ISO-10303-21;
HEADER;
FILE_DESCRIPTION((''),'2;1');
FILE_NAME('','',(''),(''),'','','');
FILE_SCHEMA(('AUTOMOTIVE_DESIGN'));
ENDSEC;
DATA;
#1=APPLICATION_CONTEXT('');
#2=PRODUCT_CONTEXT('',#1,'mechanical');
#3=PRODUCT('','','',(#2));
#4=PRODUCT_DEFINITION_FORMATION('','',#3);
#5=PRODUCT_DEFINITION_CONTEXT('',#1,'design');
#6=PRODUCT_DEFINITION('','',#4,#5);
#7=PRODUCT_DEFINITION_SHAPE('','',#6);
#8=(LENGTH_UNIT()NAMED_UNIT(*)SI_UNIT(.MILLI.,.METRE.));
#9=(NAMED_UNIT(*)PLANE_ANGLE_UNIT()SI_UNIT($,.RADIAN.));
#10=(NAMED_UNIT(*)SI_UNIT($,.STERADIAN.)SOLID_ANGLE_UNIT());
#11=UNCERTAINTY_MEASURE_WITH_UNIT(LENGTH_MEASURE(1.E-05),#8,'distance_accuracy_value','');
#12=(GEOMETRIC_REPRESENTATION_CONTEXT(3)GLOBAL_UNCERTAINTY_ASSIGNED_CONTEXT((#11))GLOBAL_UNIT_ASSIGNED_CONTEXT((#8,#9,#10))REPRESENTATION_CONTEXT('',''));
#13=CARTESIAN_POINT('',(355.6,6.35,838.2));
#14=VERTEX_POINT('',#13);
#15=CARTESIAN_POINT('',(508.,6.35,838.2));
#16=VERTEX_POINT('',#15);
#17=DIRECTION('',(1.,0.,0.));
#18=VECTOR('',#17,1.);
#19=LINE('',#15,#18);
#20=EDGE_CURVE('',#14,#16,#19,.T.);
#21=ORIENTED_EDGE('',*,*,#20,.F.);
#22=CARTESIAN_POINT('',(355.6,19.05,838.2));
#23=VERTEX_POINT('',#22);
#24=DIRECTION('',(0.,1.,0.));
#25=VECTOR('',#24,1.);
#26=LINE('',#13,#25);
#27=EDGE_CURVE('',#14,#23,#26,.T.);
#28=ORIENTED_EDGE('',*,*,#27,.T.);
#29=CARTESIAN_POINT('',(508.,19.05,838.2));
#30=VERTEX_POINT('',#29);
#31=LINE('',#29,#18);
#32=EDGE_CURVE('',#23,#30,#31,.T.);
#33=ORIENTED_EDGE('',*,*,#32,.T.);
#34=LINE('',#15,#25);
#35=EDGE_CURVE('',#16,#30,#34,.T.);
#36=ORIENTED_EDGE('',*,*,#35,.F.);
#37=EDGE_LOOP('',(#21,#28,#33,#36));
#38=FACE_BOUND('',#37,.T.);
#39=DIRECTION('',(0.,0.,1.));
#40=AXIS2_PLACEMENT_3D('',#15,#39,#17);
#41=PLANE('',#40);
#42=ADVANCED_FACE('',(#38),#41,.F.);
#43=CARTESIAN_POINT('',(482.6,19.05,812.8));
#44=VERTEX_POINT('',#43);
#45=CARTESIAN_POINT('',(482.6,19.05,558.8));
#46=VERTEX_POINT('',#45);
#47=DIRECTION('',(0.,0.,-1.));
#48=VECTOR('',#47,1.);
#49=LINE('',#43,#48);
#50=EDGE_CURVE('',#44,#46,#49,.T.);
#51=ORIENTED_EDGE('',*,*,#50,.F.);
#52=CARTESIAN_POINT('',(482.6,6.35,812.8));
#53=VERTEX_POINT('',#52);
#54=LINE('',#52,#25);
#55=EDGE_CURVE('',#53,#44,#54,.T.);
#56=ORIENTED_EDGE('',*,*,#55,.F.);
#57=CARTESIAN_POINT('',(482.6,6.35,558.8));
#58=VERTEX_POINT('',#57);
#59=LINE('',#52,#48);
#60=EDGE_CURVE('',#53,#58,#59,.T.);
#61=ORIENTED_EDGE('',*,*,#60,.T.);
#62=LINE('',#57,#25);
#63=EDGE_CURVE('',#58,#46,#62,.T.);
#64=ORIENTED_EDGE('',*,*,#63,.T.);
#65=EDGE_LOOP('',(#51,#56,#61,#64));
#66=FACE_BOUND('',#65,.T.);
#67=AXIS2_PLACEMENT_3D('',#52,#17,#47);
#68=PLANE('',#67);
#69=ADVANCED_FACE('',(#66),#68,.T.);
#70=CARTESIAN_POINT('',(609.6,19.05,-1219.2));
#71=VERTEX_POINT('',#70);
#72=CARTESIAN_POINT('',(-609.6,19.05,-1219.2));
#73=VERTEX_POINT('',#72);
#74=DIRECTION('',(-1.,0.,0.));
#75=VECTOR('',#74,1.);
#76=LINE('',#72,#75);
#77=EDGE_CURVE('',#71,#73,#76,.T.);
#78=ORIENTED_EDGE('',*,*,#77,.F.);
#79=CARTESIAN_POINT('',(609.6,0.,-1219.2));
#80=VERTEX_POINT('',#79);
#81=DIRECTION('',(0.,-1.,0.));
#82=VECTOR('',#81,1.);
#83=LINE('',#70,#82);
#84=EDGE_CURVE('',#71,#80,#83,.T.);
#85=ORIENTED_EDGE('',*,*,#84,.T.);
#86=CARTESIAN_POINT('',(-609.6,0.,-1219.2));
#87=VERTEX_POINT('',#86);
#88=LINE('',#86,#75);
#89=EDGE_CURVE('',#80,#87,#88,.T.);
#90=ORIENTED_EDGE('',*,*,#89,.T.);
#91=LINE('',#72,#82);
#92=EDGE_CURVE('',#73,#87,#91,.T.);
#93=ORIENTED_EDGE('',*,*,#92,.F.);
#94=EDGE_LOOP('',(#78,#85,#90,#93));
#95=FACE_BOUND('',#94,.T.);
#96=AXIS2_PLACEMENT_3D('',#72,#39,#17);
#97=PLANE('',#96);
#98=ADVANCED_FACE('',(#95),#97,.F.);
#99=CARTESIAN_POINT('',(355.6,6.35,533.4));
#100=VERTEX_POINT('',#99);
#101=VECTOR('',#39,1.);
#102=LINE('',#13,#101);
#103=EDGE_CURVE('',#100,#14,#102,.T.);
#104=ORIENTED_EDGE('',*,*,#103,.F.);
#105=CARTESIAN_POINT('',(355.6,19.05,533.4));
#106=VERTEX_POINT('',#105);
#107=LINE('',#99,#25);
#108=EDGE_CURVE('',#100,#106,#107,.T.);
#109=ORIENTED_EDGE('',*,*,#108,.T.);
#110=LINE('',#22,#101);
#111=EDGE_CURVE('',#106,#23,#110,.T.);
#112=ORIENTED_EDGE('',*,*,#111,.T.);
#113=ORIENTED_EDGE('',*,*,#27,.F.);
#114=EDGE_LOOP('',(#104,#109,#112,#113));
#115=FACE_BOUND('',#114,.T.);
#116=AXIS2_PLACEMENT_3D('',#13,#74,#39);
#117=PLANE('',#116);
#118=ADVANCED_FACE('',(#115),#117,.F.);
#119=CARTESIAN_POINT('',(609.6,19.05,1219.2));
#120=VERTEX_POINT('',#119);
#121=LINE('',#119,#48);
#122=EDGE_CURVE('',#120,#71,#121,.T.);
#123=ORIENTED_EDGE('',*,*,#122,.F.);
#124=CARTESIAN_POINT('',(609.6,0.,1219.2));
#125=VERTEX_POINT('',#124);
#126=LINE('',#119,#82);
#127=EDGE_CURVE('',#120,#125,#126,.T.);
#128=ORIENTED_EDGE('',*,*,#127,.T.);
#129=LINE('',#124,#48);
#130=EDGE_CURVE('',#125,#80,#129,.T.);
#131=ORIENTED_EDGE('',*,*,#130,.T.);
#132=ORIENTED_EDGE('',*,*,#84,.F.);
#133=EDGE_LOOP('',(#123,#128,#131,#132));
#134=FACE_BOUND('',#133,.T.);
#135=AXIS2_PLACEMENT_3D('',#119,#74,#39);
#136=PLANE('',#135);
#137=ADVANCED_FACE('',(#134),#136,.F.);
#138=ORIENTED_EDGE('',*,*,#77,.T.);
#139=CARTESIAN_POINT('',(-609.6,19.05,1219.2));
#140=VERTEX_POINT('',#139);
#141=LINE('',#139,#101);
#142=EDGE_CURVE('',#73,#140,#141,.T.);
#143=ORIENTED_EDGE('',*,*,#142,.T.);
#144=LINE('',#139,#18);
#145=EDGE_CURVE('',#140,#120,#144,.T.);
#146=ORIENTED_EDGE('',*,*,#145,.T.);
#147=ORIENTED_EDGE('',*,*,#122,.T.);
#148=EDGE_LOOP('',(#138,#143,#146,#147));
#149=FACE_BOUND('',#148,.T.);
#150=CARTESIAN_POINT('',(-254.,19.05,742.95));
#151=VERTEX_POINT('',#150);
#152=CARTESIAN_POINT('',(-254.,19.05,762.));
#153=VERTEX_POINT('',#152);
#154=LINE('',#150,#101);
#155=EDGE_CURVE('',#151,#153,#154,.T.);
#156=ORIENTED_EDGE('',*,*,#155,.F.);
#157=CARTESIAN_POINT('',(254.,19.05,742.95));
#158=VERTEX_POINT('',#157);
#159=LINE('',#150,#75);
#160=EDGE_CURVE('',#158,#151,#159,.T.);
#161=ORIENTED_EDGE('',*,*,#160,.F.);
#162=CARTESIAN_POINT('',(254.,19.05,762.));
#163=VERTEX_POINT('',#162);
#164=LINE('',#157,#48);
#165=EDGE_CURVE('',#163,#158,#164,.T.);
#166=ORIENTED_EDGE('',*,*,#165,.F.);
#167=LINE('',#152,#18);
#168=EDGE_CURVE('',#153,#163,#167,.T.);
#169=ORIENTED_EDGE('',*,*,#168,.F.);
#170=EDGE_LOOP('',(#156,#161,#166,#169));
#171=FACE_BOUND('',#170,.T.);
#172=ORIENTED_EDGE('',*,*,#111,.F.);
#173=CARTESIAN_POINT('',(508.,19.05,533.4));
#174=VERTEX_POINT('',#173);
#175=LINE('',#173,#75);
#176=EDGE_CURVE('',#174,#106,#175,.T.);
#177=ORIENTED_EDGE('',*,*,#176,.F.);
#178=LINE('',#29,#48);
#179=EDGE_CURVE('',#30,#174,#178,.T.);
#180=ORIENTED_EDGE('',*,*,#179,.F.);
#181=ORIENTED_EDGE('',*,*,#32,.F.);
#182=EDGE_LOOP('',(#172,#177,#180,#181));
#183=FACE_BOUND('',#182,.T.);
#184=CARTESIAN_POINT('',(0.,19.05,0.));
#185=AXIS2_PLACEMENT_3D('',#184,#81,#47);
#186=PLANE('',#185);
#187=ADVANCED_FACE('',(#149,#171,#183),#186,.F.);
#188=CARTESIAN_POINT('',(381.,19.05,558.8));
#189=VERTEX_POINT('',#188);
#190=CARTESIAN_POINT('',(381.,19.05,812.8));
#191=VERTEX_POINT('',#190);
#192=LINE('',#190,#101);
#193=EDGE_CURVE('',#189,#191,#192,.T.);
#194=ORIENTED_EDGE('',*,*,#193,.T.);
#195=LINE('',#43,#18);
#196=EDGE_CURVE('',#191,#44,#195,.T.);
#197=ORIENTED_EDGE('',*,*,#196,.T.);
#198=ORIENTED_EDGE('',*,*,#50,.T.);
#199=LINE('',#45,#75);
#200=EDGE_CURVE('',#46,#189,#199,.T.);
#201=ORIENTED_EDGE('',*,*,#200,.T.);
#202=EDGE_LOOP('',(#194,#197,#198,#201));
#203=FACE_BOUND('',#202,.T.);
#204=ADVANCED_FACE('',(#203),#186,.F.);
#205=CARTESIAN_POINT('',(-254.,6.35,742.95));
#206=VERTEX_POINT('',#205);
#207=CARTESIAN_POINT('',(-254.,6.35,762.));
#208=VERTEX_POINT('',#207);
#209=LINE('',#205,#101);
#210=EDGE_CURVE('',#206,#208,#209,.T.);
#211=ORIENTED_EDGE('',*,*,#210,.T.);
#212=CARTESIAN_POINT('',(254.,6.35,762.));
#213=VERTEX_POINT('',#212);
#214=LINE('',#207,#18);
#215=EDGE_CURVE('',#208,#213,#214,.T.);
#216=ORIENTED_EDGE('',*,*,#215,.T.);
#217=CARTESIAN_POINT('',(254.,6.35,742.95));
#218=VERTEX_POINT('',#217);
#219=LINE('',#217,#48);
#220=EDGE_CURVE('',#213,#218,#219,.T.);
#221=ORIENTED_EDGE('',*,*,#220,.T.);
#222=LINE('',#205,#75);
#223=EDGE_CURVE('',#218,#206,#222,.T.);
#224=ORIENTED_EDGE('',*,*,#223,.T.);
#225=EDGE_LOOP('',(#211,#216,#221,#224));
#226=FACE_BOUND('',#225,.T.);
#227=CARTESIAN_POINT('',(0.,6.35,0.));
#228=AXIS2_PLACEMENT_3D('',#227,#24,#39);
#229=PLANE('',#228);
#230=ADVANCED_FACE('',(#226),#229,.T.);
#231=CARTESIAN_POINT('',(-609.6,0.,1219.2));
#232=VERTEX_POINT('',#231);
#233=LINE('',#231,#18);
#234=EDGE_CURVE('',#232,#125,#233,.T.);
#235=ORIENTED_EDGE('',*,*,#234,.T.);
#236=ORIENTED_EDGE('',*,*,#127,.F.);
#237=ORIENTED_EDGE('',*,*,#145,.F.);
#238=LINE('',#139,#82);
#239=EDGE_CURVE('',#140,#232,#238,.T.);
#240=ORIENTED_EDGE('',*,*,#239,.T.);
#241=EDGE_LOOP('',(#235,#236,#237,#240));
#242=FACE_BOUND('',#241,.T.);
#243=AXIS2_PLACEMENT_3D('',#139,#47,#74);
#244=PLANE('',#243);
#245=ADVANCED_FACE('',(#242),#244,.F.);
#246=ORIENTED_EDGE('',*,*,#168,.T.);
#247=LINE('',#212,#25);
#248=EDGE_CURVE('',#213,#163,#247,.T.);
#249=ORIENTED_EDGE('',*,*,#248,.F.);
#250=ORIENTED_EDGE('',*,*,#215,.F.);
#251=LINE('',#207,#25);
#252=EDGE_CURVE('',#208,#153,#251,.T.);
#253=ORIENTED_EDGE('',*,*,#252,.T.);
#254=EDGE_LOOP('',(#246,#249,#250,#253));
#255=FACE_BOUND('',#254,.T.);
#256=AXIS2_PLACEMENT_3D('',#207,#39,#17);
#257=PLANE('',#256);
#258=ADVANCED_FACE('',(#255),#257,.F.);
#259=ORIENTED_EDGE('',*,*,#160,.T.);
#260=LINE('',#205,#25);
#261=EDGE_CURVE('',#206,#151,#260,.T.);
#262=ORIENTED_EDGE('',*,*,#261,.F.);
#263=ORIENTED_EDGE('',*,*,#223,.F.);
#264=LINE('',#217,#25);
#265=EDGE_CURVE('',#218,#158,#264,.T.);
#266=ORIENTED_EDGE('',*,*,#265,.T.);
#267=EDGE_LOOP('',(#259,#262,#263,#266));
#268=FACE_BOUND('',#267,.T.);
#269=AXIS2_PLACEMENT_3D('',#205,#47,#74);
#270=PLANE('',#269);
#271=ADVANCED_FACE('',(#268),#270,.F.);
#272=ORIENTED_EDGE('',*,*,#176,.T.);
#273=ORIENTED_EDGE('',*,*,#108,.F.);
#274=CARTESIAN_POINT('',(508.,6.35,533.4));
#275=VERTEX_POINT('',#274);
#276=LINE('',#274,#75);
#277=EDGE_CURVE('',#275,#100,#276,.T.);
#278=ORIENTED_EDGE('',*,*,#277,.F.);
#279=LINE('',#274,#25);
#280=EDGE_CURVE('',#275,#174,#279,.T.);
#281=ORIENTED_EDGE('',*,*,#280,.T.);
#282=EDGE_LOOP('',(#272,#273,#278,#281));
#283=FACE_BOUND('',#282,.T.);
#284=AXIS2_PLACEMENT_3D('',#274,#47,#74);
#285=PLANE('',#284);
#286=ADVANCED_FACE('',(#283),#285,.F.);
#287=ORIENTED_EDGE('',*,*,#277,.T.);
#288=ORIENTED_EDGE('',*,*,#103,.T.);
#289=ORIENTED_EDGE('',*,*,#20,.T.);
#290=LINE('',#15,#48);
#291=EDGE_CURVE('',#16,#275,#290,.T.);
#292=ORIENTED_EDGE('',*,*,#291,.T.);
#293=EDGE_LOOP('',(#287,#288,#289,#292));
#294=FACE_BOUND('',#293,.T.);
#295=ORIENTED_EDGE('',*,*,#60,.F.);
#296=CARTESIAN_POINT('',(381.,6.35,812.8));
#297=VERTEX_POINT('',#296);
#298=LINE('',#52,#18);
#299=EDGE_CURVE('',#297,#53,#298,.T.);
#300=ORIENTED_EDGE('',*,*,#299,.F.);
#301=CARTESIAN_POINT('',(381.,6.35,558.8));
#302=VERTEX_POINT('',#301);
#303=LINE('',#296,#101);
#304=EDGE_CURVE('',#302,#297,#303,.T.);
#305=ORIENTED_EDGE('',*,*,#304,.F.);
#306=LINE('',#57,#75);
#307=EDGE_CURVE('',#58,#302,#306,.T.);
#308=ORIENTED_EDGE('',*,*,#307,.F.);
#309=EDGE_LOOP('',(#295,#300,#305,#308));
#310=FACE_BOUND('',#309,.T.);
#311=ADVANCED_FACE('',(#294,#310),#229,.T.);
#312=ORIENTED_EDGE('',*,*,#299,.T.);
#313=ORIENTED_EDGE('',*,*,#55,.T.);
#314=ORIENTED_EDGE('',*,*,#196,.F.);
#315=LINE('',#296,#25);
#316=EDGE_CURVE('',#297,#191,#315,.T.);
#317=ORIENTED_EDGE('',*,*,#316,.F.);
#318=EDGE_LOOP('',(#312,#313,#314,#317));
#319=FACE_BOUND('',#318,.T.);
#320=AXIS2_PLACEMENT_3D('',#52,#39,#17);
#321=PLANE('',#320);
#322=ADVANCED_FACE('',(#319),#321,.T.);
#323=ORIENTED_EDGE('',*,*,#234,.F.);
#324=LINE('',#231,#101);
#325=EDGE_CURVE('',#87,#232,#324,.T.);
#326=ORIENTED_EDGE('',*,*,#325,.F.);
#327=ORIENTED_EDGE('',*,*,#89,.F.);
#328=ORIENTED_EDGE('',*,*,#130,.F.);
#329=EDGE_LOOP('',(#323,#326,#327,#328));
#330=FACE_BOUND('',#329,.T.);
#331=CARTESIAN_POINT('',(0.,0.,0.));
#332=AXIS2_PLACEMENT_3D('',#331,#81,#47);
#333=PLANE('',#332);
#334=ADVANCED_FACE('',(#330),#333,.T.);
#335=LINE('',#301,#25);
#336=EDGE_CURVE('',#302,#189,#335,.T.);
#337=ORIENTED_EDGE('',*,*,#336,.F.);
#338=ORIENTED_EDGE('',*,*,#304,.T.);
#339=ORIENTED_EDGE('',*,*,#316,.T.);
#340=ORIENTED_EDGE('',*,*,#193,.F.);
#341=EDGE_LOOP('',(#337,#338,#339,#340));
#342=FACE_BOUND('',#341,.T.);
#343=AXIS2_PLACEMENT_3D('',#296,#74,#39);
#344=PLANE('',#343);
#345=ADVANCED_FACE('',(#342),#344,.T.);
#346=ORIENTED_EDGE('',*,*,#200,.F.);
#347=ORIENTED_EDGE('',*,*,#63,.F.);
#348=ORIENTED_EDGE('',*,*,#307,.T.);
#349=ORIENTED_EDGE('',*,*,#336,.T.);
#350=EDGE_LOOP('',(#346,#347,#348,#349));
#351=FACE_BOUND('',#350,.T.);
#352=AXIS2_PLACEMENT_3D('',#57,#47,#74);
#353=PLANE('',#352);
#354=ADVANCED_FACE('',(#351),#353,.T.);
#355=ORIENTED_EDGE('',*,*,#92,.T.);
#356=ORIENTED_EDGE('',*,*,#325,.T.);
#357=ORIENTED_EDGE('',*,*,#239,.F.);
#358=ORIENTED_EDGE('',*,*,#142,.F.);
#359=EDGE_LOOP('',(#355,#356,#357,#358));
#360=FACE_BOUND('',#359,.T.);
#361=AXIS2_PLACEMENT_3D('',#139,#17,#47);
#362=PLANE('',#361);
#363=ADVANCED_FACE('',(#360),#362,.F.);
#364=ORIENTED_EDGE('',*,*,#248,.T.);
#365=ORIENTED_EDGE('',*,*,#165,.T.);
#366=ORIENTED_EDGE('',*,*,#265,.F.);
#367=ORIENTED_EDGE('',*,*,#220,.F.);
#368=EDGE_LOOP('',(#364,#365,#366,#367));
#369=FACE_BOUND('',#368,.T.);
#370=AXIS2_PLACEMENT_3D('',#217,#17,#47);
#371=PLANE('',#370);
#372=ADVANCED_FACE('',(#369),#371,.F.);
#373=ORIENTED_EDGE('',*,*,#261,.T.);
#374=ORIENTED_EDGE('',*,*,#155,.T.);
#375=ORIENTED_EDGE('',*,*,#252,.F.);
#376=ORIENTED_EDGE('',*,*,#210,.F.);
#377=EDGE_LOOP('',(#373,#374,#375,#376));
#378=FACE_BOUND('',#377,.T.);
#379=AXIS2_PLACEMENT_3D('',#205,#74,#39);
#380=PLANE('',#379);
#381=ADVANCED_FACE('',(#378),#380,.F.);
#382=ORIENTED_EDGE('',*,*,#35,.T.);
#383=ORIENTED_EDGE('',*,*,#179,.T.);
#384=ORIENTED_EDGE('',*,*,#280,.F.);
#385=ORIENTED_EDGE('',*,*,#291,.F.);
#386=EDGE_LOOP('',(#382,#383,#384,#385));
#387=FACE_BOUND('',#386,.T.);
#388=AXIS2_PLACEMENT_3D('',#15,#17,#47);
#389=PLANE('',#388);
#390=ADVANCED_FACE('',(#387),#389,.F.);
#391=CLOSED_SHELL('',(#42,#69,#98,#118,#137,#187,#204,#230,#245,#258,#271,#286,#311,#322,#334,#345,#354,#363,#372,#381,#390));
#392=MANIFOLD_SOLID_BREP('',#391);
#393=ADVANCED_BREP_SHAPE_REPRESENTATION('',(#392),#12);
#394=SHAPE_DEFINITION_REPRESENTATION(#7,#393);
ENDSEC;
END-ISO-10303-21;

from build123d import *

# Parameters (mm, degrees)
SKETCH1_W           = 1219.2
SKETCH1_H           = 2438.4
BOSS_EXTRUDE1_DEPTH = 19.05
SKETCH2_W           = 152.4
SKETCH2_H           = 304.8
SKETCH2_W_2         = 101.6
SKETCH2_H_2         = 254
CUT_EXTRUDE1_DEPTH  = 12.7
SKETCH3_W           = 508
SKETCH3_H           = 19.05
CUT_EXTRUDE2_DEPTH  = 12.7


with BuildPart() as part:
    # Sketch1 → Boss-Extrude1 (new body)
    with BuildSketch(Plane(origin=(0, 0, 0), x_dir=(1, 0, 0), z_dir=(0, 1, 0))):
        Rectangle(SKETCH1_W, SKETCH1_H)
    extrude(amount=BOSS_EXTRUDE1_DEPTH)

    # Sketch2 → Cut-Extrude1 (cut)
    with BuildSketch(Plane(origin=(0, 19.05, 0), x_dir=(1, 0, 0), z_dir=(0, 1, 0))):
        with Locations((431.8, -685.8)):
            Rectangle(SKETCH2_W, SKETCH2_H)
        with Locations((431.8, -685.8)):
            Rectangle(SKETCH2_W_2, SKETCH2_H_2, mode=Mode.SUBTRACT)
    extrude(amount=-CUT_EXTRUDE1_DEPTH, mode=Mode.SUBTRACT)

    # Sketch3 → Cut-Extrude2 (cut)
    with BuildSketch(Plane(origin=(0, 19.05, 0), x_dir=(1, 0, 0), z_dir=(0, 1, 0))):
        with Locations((0, -752.475)):
            Rectangle(SKETCH3_W, SKETCH3_H)
    extrude(amount=-CUT_EXTRUDE2_DEPTH, mode=Mode.SUBTRACT)


solid = part.part
